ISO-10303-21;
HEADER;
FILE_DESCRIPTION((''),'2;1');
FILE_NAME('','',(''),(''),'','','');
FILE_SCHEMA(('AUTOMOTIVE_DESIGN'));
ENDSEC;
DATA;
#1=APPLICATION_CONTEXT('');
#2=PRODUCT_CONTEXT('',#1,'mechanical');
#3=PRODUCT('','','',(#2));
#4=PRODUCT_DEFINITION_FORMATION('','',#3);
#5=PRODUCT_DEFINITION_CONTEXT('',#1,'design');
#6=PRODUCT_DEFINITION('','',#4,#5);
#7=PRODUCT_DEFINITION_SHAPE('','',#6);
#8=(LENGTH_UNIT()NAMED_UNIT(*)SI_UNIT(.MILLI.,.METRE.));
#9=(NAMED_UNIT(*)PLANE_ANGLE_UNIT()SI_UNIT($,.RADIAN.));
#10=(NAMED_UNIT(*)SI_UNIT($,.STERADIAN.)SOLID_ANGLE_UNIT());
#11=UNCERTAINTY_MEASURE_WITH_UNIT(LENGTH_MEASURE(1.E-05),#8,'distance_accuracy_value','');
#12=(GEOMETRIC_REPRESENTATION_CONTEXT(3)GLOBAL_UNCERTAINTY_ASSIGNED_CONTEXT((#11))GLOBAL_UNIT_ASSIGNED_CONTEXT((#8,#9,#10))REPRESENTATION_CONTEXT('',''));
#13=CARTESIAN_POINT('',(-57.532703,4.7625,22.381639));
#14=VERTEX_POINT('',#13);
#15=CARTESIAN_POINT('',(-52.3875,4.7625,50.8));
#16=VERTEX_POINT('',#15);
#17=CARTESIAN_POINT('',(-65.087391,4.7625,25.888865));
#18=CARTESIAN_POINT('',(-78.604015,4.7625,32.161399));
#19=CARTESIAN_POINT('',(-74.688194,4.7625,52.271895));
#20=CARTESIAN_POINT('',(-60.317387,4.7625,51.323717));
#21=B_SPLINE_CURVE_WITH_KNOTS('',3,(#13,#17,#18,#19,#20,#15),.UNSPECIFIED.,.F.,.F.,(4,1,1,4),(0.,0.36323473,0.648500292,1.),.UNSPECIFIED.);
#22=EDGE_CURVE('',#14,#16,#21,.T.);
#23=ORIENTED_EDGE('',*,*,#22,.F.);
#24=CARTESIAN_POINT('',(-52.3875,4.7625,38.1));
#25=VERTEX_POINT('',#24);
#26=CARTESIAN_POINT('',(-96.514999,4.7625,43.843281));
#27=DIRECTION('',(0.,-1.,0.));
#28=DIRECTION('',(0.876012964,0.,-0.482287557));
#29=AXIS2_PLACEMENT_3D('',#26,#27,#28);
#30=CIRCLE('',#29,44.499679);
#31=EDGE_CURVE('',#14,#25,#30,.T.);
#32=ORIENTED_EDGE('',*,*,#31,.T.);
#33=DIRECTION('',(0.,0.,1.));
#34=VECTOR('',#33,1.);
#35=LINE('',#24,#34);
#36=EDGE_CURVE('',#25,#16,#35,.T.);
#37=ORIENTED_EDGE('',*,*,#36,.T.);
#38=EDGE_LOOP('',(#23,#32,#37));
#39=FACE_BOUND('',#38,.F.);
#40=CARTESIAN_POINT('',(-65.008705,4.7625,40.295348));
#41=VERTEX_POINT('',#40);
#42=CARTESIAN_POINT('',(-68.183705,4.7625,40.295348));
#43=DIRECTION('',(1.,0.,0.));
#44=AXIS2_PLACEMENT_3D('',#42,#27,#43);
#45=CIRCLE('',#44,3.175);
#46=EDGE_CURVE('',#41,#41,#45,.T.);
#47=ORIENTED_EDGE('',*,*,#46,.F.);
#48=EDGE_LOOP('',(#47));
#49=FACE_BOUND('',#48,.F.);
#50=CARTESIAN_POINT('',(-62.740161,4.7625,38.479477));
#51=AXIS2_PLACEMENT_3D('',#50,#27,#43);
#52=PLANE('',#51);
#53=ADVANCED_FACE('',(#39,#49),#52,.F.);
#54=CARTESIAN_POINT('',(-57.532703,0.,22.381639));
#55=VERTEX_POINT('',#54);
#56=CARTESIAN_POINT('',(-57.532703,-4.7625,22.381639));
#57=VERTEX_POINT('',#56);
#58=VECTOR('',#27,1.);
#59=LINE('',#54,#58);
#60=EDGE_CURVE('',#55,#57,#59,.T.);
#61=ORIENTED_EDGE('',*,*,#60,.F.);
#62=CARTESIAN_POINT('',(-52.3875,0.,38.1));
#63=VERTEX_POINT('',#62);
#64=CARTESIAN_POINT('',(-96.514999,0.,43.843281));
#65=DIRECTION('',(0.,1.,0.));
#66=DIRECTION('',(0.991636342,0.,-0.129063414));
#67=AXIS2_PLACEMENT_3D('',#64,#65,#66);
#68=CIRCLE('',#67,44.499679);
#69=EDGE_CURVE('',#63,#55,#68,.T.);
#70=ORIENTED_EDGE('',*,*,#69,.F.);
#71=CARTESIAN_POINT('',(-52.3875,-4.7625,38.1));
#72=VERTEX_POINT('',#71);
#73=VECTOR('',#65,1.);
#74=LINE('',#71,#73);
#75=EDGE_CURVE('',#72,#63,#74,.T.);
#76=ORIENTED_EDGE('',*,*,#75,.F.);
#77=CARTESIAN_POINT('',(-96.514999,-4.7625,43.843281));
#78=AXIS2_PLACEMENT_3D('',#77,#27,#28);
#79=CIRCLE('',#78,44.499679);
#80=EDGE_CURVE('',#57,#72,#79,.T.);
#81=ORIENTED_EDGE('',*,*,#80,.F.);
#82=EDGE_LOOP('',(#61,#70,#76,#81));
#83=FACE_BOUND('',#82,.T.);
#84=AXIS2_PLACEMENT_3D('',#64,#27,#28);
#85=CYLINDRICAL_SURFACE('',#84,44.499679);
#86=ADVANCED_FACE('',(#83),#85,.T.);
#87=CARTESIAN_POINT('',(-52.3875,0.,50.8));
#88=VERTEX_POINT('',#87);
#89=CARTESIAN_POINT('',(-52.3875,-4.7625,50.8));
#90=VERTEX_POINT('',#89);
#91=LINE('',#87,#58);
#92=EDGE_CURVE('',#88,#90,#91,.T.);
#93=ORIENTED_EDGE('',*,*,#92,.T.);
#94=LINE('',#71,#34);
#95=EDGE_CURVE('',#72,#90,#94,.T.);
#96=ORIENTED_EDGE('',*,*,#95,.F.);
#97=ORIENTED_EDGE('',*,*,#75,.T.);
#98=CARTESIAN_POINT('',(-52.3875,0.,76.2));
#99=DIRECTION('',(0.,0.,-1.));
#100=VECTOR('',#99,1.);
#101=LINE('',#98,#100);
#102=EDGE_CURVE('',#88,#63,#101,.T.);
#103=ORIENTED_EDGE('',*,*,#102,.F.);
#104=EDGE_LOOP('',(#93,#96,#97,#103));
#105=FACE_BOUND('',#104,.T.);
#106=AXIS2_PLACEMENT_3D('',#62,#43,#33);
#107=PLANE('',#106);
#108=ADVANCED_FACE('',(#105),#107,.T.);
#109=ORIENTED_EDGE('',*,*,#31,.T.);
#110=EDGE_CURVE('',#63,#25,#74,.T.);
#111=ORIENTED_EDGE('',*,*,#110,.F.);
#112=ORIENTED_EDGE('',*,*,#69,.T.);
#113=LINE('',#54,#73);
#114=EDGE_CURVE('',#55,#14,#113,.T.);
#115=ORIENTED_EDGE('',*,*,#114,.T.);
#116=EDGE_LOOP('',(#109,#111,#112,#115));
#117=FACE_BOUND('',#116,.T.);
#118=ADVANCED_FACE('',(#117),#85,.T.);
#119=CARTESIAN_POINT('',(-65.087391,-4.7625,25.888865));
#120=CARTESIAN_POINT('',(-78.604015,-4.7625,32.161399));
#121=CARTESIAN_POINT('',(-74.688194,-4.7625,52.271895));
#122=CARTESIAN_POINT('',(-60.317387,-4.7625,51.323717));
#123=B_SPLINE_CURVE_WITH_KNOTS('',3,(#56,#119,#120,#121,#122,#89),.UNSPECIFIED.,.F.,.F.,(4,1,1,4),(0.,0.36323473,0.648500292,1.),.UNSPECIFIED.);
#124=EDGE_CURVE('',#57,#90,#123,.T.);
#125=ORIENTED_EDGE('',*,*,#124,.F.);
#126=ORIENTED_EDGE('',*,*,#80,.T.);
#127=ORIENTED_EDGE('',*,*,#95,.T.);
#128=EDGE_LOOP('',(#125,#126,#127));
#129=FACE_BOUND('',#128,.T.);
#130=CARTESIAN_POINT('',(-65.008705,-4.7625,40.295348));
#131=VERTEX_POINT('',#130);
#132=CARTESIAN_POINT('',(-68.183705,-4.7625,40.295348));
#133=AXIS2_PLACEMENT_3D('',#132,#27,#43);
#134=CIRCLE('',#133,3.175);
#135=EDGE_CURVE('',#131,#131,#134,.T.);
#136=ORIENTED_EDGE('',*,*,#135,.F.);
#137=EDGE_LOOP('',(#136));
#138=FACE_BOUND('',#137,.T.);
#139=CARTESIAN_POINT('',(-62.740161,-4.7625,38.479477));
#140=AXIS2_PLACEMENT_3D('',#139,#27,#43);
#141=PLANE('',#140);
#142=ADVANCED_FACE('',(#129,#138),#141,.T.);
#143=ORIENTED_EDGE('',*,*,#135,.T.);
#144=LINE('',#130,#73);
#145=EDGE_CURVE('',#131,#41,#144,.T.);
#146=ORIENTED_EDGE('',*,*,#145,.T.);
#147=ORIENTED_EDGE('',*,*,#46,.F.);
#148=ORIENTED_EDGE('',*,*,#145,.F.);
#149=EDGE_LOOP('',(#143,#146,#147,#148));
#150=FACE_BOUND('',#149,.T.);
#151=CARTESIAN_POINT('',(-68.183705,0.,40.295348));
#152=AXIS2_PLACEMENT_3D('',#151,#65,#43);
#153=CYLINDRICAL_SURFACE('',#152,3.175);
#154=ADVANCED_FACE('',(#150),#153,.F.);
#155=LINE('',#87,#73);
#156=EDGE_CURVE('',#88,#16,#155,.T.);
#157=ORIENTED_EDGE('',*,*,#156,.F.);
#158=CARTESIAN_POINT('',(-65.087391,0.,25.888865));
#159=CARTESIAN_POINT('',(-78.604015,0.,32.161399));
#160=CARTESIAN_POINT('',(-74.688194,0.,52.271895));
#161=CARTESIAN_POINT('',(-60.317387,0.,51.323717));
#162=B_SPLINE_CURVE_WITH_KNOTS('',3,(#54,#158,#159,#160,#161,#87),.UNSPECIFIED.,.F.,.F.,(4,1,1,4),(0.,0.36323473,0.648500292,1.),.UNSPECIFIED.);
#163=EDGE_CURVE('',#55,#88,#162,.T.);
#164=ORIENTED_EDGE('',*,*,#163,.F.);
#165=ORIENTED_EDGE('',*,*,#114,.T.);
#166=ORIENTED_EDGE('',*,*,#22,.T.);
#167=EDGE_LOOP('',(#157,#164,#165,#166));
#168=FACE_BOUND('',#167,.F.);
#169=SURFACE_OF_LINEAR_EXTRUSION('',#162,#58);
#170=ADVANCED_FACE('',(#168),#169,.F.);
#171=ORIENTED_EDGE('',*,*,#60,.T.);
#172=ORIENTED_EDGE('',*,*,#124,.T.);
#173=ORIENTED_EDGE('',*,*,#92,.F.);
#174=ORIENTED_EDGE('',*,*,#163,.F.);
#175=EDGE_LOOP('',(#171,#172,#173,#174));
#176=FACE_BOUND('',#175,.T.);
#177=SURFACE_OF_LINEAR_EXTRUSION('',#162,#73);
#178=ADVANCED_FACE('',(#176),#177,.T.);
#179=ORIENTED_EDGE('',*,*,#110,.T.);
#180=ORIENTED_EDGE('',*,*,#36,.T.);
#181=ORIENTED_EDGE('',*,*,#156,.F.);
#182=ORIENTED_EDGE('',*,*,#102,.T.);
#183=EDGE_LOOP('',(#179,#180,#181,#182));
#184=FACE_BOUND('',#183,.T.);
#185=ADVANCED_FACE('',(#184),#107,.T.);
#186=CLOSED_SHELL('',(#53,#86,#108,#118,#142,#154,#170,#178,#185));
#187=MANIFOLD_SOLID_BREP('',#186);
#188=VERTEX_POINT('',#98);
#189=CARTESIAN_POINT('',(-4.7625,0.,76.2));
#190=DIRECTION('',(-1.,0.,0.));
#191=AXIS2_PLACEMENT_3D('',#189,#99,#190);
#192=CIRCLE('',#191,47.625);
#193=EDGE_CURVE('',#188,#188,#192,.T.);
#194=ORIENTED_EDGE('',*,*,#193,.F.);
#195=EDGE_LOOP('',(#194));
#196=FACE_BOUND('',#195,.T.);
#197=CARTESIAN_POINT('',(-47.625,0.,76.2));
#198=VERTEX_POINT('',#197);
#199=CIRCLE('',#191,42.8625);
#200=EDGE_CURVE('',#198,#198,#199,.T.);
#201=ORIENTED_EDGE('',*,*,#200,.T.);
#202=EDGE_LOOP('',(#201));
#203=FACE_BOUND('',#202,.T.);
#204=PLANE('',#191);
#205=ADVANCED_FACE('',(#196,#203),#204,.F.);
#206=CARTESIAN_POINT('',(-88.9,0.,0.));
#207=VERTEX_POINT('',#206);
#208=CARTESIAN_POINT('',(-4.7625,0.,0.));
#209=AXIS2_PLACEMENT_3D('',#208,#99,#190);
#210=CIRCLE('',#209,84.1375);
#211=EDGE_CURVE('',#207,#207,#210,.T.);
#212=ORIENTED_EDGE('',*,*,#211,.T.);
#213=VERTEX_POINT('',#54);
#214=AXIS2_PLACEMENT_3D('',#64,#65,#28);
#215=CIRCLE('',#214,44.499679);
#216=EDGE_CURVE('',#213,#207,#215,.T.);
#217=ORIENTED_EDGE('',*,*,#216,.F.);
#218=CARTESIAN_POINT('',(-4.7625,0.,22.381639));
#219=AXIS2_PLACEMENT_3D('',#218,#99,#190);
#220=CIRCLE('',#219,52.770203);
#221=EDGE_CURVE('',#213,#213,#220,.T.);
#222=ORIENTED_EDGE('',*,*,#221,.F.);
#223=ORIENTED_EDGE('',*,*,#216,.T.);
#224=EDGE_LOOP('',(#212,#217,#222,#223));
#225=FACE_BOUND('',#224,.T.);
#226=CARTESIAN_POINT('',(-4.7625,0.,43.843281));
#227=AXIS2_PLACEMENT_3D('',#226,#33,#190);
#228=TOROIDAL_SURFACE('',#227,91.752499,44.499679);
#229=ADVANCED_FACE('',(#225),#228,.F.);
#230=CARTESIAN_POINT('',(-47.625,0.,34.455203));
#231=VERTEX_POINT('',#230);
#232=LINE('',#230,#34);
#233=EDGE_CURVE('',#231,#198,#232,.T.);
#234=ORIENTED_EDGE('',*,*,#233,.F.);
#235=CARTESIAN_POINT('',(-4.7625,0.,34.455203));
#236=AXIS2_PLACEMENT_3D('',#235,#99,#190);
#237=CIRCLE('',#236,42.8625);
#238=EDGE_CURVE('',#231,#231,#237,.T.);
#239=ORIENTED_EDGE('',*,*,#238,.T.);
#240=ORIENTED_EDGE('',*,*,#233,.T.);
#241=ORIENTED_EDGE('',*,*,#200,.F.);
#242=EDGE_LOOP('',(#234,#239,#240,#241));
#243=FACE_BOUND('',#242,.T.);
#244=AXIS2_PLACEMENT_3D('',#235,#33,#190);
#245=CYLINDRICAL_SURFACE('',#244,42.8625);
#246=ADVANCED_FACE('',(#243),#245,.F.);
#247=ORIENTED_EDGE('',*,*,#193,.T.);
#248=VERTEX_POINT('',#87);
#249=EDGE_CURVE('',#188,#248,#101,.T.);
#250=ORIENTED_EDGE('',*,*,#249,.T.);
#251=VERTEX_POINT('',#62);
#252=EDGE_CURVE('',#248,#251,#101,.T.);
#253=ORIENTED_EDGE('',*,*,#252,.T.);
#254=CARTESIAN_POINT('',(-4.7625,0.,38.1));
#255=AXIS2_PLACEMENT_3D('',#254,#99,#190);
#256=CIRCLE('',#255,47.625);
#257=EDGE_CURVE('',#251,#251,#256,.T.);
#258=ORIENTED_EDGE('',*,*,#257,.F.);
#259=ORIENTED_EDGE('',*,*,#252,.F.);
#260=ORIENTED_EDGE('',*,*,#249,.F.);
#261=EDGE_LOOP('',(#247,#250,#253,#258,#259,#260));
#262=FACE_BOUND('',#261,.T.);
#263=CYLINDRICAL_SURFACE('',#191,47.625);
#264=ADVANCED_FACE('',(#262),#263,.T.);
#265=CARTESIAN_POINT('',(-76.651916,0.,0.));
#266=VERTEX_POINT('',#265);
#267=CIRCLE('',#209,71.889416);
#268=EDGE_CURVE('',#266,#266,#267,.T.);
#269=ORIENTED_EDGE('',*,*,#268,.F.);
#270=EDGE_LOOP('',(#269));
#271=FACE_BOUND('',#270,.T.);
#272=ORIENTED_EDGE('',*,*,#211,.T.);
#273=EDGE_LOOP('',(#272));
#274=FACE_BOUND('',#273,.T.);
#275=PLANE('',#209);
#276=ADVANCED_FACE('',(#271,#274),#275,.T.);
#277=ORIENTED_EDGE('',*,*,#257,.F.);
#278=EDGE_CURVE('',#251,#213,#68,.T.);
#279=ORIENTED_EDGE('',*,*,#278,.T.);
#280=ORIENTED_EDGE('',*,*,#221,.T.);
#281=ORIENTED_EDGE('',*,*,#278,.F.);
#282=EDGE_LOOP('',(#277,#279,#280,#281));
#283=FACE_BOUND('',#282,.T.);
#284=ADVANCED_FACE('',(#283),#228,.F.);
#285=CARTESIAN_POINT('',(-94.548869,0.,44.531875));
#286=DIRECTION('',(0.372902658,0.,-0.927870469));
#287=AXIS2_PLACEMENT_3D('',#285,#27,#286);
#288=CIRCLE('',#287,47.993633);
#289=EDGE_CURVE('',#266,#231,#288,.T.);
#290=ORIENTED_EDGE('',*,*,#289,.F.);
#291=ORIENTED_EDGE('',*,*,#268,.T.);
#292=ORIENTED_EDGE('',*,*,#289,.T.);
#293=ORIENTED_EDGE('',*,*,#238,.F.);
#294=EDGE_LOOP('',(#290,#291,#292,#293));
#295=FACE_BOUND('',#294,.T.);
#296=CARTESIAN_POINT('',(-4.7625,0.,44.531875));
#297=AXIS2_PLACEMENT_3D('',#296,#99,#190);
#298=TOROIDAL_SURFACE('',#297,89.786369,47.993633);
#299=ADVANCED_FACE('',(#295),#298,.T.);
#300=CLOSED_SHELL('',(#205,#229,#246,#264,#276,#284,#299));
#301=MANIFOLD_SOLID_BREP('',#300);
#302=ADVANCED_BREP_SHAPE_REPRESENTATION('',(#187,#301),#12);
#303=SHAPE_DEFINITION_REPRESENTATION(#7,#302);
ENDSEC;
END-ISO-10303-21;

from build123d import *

# Parameters (mm, degrees)
F0_R     = 3.175
F2_DEPTH = 4.7625


with BuildPart() as f1:
    # F0 (on Front) → F1 (revolve)
    with BuildSketch(Plane.XZ):
        with BuildLine():
            ThreePointArc((-76.6519159079, 0), (-57.8443054398, 13.6099762046), (-47.625, 34.4552025199))
            Line((-47.625, 34.4552025199), (-47.625, 76.2))
            Line((-47.625, 76.2), (-52.3875, 76.2))
            Line((-52.3875, 76.2), (-52.3875, 50.8))
            Line((-52.3875, 50.8), (-52.3875, 38.1))
            ThreePointArc((-52.3875, 38.1), (-54.2234370352, 29.9996817772), (-57.5327032702, 22.3816389123))
            ThreePointArc((-57.5327032702, 22.3816389123), (-70.6681150923, 7.6195308616), (-88.9, 0))
            Line((-88.9, 0), (-76.6519159079, 0))
        make_face()
    revolve(axis=Axis((-4.7625, 0, 35.1770613343), (0, 0, -1)))

    # F0 (on Front) → F2 (join, symmetric)
    with BuildSketch(Plane.XZ):
        with BuildLine():
            Line((-52.3875, 38.1), (-52.3875, 50.8))
            add(Edge.make_bspline(
                [(-57.5327032702, 22.3816389123), (-65.0873911071, 25.8888650273), (-78.6040150118, 32.1613991723), (-74.6881941056, 52.2718953606), (-60.3173873221, 51.3237170816), (-52.3875, 50.8)],
                knots=[0, 0, 0, 0, 0.3632347305, 0.6485002918, 1, 1, 1, 1], degree=3))
            ThreePointArc((-57.5327032702, 22.3816389123), (-54.2234370352, 29.9996817772), (-52.3875, 38.1))
        make_face()
        with Locations((-68.1837052107, 40.2953475714)):
            Circle(F0_R, mode=Mode.SUBTRACT)
    extrude(amount=F2_DEPTH, both=True)


solid = f1.part
